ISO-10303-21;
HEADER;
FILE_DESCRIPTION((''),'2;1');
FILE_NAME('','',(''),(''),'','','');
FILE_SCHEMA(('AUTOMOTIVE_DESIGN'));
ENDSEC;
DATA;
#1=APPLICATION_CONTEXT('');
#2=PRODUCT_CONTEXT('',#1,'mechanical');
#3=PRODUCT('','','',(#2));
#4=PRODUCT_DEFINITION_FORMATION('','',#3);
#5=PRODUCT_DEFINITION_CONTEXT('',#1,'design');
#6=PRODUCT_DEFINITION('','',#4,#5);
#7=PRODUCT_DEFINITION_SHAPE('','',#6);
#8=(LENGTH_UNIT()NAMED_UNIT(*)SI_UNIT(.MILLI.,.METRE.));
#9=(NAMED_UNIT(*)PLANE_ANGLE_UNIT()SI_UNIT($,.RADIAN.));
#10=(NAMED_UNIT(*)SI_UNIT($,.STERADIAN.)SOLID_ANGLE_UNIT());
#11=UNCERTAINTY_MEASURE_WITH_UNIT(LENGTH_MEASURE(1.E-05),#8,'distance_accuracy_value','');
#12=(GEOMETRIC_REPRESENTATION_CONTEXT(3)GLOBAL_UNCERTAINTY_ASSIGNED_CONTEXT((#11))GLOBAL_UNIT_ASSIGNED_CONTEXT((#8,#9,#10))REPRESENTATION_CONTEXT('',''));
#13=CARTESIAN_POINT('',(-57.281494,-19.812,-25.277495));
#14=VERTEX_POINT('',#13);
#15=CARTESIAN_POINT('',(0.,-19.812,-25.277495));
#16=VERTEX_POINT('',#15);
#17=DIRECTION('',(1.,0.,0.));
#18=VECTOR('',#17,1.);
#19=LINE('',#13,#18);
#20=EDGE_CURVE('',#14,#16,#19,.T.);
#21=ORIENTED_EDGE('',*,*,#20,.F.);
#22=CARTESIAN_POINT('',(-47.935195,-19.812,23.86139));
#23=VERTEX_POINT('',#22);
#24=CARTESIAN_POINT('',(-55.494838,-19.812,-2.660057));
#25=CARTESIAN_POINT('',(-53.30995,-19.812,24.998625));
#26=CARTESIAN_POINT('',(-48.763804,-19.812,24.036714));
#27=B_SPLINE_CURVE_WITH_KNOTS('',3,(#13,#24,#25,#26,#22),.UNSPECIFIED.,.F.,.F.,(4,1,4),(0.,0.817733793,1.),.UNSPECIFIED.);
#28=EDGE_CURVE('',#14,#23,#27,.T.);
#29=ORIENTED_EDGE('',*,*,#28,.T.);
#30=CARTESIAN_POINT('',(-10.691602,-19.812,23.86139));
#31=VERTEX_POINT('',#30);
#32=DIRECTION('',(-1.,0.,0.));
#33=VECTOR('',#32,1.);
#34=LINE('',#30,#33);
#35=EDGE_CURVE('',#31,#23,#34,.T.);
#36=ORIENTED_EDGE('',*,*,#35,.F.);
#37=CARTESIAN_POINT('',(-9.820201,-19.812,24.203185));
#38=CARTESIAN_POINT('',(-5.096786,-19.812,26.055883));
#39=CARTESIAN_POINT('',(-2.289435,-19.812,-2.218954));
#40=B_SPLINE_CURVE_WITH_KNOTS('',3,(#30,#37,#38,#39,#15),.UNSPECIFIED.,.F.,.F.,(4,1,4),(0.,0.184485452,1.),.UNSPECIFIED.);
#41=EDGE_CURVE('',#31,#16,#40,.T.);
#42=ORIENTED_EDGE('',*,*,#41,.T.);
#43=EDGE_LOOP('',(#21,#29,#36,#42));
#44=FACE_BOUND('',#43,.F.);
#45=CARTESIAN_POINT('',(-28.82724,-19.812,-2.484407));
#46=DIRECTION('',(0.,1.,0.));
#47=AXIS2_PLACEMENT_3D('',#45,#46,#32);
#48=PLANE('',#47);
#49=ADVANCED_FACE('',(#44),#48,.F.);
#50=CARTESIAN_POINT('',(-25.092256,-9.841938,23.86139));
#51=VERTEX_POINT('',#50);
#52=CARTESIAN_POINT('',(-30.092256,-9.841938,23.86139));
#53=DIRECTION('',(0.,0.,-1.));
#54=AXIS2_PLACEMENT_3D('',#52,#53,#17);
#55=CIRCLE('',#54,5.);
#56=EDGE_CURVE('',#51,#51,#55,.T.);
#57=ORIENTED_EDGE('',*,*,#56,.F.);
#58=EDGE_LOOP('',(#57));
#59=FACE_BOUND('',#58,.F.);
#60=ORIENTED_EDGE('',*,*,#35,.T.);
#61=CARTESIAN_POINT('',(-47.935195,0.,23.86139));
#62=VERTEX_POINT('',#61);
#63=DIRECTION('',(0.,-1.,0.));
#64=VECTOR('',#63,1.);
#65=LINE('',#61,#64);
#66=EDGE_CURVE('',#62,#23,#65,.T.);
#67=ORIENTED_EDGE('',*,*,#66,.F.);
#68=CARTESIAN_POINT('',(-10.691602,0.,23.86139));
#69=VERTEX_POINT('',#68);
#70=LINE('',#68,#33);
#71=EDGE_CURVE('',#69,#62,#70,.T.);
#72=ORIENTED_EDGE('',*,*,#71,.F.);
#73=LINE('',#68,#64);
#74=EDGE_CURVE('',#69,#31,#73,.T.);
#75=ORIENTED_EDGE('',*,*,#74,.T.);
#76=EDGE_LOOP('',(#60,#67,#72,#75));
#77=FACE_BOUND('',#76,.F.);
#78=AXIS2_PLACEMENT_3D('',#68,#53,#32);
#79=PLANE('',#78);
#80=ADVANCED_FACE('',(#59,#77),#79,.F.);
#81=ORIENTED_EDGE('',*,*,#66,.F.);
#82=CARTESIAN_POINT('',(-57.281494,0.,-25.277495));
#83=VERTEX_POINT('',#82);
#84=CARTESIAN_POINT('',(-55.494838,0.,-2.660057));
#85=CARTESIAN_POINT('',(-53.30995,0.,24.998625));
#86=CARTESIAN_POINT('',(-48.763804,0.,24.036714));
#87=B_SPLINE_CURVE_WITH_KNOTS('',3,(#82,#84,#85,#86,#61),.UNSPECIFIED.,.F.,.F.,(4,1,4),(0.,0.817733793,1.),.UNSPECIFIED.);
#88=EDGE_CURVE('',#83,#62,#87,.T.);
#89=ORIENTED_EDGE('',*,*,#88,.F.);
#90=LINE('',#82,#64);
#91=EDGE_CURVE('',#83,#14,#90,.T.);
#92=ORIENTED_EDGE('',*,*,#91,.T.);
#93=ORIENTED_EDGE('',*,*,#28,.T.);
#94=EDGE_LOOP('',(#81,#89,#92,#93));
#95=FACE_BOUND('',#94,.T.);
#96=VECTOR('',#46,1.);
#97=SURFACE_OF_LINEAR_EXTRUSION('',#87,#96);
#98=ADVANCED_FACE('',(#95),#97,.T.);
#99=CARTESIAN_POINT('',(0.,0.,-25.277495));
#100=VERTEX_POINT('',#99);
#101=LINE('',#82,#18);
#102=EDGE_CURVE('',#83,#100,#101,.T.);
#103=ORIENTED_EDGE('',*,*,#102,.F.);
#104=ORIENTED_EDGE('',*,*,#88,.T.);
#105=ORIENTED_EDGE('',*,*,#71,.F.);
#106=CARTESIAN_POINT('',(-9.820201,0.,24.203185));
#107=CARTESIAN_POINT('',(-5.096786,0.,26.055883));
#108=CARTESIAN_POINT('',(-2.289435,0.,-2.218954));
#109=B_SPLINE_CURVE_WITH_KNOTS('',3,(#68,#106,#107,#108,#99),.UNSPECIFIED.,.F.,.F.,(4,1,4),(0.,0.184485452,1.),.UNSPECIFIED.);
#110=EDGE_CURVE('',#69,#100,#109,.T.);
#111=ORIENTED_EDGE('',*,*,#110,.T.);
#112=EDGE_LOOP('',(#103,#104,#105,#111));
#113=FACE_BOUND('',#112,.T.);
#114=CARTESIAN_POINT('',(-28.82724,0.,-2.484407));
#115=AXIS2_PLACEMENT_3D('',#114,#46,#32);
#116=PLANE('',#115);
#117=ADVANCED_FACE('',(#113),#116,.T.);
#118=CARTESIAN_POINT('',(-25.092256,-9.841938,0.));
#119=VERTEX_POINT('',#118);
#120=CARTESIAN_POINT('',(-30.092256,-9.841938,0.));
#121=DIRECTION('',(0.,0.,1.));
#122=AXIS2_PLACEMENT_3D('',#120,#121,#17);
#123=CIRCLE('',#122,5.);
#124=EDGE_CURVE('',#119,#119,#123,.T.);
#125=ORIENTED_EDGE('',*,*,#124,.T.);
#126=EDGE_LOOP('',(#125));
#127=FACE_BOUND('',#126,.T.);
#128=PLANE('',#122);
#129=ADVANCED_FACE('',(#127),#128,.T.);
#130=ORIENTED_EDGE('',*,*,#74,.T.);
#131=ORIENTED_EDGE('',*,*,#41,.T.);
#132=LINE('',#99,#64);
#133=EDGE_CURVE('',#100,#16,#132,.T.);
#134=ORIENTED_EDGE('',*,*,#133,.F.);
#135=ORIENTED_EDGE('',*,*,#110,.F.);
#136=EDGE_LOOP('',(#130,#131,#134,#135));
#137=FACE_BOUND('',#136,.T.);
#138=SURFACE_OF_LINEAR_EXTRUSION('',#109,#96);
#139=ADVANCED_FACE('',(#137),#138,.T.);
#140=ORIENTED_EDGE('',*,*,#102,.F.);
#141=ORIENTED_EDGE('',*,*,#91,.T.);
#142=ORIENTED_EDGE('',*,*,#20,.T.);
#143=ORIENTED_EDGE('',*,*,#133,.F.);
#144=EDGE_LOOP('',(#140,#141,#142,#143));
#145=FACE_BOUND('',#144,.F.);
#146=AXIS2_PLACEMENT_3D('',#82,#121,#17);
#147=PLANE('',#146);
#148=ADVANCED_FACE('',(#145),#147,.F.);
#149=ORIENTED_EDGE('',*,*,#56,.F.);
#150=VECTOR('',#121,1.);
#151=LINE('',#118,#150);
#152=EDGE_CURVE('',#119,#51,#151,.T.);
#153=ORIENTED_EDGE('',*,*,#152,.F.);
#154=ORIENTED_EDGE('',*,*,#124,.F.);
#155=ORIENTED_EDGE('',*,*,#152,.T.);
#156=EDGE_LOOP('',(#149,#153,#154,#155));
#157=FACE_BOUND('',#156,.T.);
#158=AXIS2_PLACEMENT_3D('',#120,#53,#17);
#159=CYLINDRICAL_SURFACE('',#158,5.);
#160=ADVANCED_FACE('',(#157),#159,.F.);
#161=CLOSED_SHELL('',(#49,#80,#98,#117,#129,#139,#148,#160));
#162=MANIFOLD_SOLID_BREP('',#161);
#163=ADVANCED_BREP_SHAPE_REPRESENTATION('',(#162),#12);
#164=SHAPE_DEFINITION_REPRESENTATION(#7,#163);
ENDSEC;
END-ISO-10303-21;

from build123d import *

# Parameters (mm, degrees)
F1_DEPTH = 19.812
F2_R     = 5
F3_DEPTH = 29.972


with BuildPart() as f1:
    # F0 (on Front) → F1 (new body)
    with BuildSketch(Plane.XZ):
        with BuildLine():
            add(Edge.make_bspline(
                [(-57.2814941406, -25.2774953842), (-55.4948378039, -2.6600567826), (-53.3099503119, 24.9986247928), (-48.7638040936, 24.0367135251), (-47.9351952672, 23.8613896072)],
                knots=[0, 0, 0, 0, 0.8177337933, 1, 1, 1, 1], degree=3))
            Line((-57.2814941406, -25.2774953842), (0, -25.2774953842))
            add(Edge.make_bspline(
                [(-10.691601783, 23.8613896072), (-9.820200524, 24.2031852968), (-5.0967860131, 26.0558825509), (-2.289435327, -2.2189544531), (0, -25.2774953842)],
                knots=[0, 0, 0, 0, 0.1844854516, 1, 1, 1, 1], degree=3))
            Line((-10.691601783, 23.8613896072), (-47.9351952672, 23.8613896072))
        make_face()
    extrude(amount=F1_DEPTH)

    # F2 (on Top) → F3 (cut)
    with BuildSketch(Plane.XY):
        with Locations((-30.0922561437, -9.8419375718)):
            Circle(F2_R)
    extrude(amount=F3_DEPTH, mode=Mode.SUBTRACT)


solid = f1.part
